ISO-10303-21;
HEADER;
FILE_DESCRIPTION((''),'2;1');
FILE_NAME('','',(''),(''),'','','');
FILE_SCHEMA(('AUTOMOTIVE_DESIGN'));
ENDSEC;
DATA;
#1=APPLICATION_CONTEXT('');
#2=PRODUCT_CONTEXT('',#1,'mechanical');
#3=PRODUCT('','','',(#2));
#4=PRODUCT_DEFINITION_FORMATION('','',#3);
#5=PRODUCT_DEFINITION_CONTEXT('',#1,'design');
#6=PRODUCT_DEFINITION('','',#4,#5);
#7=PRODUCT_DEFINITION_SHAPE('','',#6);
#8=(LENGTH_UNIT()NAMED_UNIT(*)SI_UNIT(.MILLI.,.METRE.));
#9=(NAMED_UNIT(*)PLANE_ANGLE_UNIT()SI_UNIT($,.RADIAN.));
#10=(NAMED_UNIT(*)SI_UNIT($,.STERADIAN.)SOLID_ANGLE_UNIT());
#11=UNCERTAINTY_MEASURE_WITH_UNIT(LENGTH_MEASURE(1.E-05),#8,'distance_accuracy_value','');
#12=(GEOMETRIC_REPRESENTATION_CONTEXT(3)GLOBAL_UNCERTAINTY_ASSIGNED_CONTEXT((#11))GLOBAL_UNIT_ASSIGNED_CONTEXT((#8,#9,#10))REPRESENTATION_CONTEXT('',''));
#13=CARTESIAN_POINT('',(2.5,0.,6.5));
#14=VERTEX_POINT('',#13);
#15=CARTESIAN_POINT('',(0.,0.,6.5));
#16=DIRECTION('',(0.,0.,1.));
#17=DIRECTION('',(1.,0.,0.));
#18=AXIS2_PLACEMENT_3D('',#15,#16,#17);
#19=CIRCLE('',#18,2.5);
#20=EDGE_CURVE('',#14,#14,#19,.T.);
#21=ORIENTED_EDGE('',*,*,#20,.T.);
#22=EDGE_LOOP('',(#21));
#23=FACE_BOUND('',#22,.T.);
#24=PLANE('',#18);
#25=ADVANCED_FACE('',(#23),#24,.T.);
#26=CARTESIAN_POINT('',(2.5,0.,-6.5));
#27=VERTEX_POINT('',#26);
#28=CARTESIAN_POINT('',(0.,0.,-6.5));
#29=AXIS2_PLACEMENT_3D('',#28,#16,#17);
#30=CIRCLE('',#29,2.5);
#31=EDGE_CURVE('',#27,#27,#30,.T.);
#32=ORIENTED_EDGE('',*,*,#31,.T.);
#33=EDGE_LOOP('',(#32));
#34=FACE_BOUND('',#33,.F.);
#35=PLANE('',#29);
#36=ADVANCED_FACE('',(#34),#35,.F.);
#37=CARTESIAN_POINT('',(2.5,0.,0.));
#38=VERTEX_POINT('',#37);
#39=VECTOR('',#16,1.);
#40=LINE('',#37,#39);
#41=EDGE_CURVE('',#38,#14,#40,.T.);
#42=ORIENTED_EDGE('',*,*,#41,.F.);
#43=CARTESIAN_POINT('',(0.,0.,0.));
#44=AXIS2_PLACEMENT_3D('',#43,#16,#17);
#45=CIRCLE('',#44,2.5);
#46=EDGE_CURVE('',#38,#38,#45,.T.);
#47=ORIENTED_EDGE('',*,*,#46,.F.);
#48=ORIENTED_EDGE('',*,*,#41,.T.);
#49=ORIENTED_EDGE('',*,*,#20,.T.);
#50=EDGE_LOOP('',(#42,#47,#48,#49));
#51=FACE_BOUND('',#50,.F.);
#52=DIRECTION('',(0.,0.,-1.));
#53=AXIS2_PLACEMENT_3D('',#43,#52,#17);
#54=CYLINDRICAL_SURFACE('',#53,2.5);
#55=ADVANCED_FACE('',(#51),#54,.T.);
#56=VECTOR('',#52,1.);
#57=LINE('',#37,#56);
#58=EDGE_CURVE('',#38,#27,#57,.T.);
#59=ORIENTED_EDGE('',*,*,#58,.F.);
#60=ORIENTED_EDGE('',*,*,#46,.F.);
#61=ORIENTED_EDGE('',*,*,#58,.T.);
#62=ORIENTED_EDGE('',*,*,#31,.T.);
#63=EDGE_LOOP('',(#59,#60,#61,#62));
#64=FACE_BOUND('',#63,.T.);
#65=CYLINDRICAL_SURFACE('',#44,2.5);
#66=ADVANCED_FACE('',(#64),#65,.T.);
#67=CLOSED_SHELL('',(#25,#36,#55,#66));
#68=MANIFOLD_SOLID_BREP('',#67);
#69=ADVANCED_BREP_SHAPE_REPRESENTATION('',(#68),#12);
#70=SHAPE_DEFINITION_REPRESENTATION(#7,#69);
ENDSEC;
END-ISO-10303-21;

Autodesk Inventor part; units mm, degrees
ref_plane "YZ Plane" through (0, 0, 0) normal (1, 0, 0) x (0, 1, 0)
ref_plane "XZ Plane" through (0, 0, 0) normal (0, 1, 0) x (-1, 0, 0)
ref_plane "XY Plane" through (0, 0, 0) normal (0, 0, 1) x (1, 0, 0)
sketch "Sketch1" plane through (0, 0, 0) normal (0, 0, 1) x (1, 0, 0)
  circle A0 centre (0, 0) radius 2.5
  dimension "d0" = 5
extrude "Extrusion1" add sketch "Sketch1" along normal mid plane 13
properties part number "cylinder2"
